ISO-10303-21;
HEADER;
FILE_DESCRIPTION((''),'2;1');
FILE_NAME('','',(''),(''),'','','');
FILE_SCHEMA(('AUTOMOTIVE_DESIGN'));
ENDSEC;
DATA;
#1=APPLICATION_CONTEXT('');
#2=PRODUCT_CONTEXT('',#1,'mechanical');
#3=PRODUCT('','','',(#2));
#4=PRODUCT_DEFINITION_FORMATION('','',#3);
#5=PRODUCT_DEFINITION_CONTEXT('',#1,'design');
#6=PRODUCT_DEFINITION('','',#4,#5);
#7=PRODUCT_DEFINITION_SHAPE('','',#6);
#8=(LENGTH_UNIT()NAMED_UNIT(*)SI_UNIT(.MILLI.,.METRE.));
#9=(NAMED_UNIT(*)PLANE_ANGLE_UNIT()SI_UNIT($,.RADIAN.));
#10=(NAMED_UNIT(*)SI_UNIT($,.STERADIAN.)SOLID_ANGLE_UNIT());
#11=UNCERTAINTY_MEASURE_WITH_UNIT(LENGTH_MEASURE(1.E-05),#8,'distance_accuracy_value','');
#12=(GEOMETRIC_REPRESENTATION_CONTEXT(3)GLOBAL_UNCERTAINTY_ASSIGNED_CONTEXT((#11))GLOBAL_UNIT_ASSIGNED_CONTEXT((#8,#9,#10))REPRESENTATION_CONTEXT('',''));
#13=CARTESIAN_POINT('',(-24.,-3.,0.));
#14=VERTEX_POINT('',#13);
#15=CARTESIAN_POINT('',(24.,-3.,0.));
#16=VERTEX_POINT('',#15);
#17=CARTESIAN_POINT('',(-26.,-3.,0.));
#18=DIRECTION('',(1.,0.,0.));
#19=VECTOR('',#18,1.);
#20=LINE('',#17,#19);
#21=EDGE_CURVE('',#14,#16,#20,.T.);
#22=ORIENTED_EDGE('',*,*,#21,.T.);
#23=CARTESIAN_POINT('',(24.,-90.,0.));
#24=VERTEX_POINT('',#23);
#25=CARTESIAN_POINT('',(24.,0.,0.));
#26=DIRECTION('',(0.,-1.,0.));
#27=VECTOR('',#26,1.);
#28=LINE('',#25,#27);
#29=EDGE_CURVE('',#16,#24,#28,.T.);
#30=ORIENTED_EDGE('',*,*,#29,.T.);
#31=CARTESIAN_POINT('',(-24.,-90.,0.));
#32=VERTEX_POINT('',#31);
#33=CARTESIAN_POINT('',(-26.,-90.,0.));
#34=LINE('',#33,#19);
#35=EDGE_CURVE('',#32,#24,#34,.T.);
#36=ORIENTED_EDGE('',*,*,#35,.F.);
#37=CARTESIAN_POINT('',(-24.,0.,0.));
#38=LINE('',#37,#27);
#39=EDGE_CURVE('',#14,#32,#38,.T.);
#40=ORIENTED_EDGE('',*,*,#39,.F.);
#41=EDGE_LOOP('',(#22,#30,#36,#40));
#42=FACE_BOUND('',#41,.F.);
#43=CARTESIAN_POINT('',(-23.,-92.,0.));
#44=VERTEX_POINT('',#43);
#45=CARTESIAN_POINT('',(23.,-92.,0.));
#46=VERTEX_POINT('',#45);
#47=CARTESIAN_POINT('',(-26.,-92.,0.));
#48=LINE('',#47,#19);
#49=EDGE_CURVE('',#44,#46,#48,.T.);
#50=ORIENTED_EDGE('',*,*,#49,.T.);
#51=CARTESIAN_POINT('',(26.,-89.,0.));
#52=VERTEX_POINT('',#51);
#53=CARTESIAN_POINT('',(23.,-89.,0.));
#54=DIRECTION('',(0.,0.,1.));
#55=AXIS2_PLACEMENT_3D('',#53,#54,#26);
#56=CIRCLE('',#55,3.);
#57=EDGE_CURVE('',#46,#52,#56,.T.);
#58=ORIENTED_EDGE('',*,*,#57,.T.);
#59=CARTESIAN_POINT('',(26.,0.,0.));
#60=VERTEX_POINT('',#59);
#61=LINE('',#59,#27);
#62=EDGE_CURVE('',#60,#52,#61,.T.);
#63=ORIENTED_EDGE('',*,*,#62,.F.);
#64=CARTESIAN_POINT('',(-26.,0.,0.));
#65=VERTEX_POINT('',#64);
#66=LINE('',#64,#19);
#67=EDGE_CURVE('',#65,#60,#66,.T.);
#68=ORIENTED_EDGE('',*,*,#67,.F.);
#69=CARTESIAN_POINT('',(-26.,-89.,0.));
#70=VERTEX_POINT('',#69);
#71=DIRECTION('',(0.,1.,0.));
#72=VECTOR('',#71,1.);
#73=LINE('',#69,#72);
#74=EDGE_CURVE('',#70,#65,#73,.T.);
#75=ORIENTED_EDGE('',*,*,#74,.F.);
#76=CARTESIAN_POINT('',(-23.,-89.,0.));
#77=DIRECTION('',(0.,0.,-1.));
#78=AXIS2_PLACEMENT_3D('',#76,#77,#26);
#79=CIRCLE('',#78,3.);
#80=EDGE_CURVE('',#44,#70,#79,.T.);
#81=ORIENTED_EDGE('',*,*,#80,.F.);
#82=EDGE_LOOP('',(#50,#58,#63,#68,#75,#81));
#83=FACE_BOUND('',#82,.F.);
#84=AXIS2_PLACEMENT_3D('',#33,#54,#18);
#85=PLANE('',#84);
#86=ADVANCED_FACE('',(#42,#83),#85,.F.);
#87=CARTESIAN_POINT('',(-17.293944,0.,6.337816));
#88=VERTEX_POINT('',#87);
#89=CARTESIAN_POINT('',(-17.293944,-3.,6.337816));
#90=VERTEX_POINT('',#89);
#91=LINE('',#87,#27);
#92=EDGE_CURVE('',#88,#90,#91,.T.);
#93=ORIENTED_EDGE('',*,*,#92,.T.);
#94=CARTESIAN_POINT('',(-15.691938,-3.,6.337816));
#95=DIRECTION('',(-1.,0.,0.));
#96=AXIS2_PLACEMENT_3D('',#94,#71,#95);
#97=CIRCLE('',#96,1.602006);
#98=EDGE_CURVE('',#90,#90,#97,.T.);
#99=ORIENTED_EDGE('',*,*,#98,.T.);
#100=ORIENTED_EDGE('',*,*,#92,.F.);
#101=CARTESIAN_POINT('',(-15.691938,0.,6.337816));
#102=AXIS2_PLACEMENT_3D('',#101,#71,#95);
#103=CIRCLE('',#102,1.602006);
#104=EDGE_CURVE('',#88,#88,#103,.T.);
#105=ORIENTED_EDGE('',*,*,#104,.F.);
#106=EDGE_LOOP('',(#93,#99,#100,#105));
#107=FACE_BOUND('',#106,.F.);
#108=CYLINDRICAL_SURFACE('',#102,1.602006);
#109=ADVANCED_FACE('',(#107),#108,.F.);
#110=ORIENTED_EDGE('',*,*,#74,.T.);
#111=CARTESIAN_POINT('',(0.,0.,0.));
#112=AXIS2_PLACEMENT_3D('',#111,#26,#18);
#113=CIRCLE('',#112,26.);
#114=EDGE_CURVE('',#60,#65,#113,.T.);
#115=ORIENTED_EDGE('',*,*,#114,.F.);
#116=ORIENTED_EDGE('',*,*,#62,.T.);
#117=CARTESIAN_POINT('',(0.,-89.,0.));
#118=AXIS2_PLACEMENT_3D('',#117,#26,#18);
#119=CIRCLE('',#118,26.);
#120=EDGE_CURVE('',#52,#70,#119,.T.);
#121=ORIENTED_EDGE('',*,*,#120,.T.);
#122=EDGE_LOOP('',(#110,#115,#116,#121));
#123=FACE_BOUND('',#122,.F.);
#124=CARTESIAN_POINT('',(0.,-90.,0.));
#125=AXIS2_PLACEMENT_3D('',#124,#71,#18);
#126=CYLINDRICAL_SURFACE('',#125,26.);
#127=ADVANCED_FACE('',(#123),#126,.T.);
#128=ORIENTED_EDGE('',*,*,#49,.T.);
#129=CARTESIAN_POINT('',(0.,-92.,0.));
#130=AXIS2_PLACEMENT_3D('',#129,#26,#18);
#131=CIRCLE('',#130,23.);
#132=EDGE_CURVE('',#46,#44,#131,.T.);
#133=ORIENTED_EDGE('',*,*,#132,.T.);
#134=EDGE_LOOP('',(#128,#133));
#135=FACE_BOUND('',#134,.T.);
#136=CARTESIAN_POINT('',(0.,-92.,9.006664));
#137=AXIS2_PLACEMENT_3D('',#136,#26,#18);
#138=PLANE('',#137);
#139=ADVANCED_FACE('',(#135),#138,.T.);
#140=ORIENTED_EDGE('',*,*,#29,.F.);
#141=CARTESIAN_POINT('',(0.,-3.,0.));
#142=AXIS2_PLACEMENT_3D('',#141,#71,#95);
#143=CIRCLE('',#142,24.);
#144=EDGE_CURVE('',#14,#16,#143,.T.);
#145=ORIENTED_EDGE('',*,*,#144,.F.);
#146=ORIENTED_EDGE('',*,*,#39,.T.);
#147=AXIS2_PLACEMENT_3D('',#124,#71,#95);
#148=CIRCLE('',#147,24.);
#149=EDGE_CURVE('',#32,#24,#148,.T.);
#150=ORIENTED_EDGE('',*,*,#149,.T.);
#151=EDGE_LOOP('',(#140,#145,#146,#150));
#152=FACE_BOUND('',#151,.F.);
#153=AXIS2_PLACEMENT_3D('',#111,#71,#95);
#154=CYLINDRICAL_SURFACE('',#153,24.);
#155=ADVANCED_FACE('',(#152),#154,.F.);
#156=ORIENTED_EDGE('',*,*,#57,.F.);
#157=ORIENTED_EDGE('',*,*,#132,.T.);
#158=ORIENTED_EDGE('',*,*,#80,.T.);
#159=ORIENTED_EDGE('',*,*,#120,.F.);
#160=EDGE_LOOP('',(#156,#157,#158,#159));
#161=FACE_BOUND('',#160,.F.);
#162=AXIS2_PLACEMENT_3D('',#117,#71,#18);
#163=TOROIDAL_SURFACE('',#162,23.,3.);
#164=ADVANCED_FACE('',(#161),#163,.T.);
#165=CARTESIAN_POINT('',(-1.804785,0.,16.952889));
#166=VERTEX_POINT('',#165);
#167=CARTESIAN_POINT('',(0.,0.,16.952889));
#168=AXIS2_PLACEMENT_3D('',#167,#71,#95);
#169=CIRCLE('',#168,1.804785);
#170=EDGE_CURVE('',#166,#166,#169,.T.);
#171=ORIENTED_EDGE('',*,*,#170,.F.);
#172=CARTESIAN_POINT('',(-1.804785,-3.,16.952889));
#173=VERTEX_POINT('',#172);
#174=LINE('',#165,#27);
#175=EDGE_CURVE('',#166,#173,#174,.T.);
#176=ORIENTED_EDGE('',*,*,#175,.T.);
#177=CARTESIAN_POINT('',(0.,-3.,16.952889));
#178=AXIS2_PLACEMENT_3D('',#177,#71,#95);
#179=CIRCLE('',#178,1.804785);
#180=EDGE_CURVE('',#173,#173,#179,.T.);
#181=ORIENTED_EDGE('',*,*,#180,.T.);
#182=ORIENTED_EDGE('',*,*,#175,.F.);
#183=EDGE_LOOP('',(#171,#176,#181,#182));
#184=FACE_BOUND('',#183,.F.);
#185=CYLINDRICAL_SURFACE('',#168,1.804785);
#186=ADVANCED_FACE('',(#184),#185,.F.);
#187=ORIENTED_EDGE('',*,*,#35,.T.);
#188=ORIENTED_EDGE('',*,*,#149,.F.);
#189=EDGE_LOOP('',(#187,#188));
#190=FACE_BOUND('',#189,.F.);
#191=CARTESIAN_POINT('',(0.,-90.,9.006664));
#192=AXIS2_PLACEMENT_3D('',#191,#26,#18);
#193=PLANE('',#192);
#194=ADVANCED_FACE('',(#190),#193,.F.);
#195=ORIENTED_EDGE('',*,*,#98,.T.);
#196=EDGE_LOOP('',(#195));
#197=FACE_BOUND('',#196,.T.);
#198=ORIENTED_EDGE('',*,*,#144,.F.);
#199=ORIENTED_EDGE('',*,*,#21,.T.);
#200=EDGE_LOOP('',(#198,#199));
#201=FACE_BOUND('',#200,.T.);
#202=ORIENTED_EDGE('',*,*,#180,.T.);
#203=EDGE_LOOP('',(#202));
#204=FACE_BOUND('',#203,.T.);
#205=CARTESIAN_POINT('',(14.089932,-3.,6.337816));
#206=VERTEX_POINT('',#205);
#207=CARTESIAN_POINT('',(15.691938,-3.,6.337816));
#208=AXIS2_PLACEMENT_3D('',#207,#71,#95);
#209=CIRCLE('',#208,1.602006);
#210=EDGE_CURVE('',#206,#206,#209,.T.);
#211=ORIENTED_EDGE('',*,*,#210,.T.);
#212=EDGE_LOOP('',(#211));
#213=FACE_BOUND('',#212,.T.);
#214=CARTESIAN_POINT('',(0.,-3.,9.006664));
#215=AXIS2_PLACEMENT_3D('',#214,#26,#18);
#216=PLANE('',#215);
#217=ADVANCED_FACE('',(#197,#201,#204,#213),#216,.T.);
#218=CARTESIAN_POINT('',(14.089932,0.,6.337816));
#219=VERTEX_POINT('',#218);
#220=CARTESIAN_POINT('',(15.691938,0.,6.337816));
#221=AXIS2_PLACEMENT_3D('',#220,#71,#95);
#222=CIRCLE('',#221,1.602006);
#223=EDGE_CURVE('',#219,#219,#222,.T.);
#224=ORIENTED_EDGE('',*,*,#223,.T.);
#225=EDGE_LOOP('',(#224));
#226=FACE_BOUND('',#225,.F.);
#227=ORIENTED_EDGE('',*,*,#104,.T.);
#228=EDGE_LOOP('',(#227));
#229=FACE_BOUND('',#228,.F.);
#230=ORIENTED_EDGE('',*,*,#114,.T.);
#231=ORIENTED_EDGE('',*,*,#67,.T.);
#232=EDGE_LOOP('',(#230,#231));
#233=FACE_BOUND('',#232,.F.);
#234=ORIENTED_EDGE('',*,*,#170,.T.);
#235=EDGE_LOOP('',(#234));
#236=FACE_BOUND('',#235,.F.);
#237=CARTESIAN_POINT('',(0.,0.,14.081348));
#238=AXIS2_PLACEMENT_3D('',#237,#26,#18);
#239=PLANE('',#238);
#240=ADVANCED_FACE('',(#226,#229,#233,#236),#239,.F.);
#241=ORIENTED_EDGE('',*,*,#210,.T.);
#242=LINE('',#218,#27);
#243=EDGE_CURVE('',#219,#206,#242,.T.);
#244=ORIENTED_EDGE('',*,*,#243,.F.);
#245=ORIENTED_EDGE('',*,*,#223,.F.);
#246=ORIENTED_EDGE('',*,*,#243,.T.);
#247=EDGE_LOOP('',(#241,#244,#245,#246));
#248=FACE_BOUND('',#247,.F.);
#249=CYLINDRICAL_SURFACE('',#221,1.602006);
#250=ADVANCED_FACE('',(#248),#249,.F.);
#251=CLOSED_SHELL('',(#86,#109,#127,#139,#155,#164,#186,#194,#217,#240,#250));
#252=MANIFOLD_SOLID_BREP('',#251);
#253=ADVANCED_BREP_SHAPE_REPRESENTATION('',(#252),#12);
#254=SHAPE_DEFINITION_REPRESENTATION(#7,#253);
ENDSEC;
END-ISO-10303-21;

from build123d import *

# Parameters (mm, degrees)
F1_DEPTH = 90
F3_DEPTH = 2
F4_R     = 3
F6_DEPTH = 3
F7_R     = 1.804785
F7_R_2   = 1.602006
F8_DEPTH = 3


with BuildPart() as f1:
    # F0 (on Front) → F1 (new body)
    with BuildSketch(Plane.XZ):
        with BuildLine():
            Line((24, 0), (26, 0))
            ThreePointArc((26, 0), (0, 26), (-26, 0))
            Line((-26, 0), (-24, 0))
            ThreePointArc((-24, 0), (0, 24), (24, 0))
        make_face()
    extrude(amount=F1_DEPTH)

    # F2 (on face) → F3 (join)
    with BuildSketch(Plane.XZ.offset(90)):
        with BuildLine():
            Line((-26, 0), (26, 0))
            ThreePointArc((26, 0), (0, 26), (-26, 0))
        make_face()
    extrude(amount=F3_DEPTH)

    # F4
    f4_edges = [f1.edges().sort_by_distance(p)[0] for p in [
        (0, -92, 26),
    ]]
    fillet(f4_edges, radius=F4_R)

    # F5 (on Front) → F6 (join)
    with BuildSketch(Plane.XZ):
        with BuildLine():
            Line((-26, 0), (26, 0))
            ThreePointArc((26, 0), (0, 26), (-26, 0))
        make_face()
    extrude(amount=F6_DEPTH)

    # F7 (on face) → F8 (cut)
    with BuildSketch(Plane(origin=(0, 0, 0), x_dir=(-1, 0, 0), z_dir=(0, 1, 0))):
        with Locations((0, 16.952889)):
            Circle(F7_R)
        with Locations((15.691938, 6.337816)):
            Circle(F7_R_2)
        with Locations((-15.691938, 6.337816)):
            Circle(F7_R_2)
    extrude(amount=-F8_DEPTH, mode=Mode.SUBTRACT)


solid = f1.part
